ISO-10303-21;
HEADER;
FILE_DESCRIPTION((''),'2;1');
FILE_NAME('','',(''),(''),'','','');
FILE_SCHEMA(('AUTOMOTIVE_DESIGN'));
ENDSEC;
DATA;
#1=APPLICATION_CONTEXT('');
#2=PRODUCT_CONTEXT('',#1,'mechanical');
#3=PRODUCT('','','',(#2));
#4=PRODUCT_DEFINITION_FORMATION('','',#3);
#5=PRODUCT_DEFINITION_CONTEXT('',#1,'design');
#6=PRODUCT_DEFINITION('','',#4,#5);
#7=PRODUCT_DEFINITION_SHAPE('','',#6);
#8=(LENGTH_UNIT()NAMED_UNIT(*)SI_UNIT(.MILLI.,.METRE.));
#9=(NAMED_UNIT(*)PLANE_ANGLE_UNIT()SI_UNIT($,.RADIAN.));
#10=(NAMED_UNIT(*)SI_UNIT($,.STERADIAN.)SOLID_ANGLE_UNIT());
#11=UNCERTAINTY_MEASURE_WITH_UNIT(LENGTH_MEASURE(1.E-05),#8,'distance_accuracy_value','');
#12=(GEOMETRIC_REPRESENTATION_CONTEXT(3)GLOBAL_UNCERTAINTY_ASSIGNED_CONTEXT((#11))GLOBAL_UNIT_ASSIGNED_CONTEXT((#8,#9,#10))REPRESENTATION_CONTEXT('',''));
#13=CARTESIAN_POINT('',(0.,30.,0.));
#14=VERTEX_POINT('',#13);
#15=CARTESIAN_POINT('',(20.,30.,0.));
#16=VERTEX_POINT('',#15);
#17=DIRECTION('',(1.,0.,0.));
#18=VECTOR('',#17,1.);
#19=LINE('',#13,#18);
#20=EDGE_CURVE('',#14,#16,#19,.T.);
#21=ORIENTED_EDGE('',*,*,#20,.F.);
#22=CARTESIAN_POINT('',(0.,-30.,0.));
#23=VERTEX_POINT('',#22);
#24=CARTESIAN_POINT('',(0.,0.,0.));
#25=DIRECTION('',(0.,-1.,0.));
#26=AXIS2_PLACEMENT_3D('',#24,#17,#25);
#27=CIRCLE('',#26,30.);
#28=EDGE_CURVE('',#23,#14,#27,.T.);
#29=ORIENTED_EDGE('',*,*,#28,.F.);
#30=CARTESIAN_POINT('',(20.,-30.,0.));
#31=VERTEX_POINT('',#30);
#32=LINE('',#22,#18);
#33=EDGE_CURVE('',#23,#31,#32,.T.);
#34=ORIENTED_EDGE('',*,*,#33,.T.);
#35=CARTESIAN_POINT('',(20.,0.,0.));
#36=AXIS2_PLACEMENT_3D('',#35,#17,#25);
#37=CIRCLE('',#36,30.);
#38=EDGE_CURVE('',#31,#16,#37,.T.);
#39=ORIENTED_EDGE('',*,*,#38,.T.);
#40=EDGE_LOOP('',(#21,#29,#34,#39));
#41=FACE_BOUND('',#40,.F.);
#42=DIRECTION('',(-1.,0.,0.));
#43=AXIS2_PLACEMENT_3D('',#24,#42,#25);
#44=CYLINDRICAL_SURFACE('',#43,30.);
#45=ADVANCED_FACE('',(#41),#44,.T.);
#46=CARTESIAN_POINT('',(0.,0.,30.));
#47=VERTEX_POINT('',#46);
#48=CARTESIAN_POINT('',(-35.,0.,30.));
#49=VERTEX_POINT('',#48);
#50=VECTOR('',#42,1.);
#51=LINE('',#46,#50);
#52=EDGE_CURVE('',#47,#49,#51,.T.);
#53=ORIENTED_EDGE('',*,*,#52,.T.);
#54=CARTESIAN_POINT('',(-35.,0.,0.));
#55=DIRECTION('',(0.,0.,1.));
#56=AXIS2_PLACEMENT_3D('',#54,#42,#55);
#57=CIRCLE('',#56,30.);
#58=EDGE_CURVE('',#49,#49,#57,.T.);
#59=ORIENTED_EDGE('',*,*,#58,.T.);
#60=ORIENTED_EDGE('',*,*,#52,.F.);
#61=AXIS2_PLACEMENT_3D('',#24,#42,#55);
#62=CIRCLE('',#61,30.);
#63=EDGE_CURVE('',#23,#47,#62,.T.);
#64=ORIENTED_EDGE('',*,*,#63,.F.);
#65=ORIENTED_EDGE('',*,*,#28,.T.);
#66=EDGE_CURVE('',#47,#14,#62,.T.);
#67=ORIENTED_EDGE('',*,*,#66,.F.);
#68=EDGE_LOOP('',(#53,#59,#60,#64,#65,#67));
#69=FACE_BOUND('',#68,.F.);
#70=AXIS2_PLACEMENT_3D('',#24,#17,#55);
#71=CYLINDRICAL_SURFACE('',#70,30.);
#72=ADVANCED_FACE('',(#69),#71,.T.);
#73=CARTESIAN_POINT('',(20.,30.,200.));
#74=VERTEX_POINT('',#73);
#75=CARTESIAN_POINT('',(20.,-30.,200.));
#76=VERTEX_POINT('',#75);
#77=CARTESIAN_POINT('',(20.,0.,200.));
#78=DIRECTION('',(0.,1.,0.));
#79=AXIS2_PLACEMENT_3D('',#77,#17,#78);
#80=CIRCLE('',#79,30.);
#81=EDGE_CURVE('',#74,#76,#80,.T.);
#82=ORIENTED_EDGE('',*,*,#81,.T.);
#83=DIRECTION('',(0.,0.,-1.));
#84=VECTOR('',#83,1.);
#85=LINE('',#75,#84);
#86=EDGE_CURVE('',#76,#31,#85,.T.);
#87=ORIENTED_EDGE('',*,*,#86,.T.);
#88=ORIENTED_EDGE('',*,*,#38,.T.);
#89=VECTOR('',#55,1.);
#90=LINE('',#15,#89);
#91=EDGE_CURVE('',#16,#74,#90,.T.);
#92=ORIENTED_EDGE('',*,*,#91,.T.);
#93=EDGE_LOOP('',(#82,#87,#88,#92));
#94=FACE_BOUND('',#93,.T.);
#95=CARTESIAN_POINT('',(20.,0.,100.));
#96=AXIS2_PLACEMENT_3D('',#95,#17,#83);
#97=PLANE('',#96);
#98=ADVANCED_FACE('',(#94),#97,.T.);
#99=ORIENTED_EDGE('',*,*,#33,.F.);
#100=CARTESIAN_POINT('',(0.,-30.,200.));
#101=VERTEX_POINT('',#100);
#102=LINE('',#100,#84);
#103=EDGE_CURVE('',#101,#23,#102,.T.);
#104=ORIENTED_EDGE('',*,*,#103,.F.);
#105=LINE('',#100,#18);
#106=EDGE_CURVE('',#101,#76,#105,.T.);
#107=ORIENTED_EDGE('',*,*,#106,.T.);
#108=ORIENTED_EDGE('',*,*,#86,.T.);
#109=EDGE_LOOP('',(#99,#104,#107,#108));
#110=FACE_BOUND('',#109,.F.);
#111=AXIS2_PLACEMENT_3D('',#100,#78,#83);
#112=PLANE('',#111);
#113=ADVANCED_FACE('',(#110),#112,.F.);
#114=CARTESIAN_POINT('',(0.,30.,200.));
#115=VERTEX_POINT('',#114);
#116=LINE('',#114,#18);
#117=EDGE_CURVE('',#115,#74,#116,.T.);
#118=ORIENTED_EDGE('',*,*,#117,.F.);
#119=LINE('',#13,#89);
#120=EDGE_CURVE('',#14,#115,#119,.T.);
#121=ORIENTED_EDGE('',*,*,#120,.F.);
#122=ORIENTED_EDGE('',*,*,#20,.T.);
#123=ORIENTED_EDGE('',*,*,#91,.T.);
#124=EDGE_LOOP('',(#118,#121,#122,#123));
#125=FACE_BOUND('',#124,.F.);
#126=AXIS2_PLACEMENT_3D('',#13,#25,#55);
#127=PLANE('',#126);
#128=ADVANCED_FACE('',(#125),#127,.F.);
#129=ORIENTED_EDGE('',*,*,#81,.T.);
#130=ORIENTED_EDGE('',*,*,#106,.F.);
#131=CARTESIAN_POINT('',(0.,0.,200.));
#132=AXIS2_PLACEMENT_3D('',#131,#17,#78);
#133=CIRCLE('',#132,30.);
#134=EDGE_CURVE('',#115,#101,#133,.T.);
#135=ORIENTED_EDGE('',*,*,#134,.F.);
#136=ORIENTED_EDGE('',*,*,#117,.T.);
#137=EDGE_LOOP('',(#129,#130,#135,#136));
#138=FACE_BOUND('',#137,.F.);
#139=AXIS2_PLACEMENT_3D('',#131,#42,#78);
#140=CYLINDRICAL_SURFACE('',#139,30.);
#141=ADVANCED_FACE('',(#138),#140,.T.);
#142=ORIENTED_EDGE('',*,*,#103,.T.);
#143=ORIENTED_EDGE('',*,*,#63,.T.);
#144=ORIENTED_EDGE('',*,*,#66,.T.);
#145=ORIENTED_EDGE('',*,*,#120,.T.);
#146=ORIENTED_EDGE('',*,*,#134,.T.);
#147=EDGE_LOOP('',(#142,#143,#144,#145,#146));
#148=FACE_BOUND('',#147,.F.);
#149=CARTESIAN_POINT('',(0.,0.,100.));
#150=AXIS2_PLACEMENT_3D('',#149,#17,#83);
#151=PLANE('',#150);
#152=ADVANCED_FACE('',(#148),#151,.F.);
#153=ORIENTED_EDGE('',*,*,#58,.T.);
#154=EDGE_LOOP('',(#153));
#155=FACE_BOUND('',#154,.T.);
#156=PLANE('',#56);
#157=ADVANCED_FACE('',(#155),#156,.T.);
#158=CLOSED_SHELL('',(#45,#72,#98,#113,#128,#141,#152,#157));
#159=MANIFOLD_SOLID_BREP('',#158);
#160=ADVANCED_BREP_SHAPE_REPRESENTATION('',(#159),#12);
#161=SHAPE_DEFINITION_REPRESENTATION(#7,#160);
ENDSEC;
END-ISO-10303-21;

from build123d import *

# Parameters (mm, degrees)
EXTRUDE_1_DEPTH = 20
SKETCH_2_R      = 30
EXTRUDE_2_DEPTH = 35


with BuildPart() as part:
    # 草图1 → 凸台-拉伸1 (new body)
    with BuildSketch(Plane(origin=(0, 0, 0), x_dir=(0, 0, -1), z_dir=(1, 0, 0))):
        with BuildLine():
            Line((0, 30), (-200, 30))
            ThreePointArc((-200, 30), (-230, 0), (-200, -30))
            Line((-200, -30), (0, -30))
            ThreePointArc((0, -30), (30, 0), (0, 30))
        make_face()
    extrude(amount=EXTRUDE_1_DEPTH)

    # 草图2 → 凸台-拉伸2 (add)
    with BuildSketch(Plane.ZY):
        Circle(SKETCH_2_R)
    extrude(amount=EXTRUDE_2_DEPTH)


solid = part.part
